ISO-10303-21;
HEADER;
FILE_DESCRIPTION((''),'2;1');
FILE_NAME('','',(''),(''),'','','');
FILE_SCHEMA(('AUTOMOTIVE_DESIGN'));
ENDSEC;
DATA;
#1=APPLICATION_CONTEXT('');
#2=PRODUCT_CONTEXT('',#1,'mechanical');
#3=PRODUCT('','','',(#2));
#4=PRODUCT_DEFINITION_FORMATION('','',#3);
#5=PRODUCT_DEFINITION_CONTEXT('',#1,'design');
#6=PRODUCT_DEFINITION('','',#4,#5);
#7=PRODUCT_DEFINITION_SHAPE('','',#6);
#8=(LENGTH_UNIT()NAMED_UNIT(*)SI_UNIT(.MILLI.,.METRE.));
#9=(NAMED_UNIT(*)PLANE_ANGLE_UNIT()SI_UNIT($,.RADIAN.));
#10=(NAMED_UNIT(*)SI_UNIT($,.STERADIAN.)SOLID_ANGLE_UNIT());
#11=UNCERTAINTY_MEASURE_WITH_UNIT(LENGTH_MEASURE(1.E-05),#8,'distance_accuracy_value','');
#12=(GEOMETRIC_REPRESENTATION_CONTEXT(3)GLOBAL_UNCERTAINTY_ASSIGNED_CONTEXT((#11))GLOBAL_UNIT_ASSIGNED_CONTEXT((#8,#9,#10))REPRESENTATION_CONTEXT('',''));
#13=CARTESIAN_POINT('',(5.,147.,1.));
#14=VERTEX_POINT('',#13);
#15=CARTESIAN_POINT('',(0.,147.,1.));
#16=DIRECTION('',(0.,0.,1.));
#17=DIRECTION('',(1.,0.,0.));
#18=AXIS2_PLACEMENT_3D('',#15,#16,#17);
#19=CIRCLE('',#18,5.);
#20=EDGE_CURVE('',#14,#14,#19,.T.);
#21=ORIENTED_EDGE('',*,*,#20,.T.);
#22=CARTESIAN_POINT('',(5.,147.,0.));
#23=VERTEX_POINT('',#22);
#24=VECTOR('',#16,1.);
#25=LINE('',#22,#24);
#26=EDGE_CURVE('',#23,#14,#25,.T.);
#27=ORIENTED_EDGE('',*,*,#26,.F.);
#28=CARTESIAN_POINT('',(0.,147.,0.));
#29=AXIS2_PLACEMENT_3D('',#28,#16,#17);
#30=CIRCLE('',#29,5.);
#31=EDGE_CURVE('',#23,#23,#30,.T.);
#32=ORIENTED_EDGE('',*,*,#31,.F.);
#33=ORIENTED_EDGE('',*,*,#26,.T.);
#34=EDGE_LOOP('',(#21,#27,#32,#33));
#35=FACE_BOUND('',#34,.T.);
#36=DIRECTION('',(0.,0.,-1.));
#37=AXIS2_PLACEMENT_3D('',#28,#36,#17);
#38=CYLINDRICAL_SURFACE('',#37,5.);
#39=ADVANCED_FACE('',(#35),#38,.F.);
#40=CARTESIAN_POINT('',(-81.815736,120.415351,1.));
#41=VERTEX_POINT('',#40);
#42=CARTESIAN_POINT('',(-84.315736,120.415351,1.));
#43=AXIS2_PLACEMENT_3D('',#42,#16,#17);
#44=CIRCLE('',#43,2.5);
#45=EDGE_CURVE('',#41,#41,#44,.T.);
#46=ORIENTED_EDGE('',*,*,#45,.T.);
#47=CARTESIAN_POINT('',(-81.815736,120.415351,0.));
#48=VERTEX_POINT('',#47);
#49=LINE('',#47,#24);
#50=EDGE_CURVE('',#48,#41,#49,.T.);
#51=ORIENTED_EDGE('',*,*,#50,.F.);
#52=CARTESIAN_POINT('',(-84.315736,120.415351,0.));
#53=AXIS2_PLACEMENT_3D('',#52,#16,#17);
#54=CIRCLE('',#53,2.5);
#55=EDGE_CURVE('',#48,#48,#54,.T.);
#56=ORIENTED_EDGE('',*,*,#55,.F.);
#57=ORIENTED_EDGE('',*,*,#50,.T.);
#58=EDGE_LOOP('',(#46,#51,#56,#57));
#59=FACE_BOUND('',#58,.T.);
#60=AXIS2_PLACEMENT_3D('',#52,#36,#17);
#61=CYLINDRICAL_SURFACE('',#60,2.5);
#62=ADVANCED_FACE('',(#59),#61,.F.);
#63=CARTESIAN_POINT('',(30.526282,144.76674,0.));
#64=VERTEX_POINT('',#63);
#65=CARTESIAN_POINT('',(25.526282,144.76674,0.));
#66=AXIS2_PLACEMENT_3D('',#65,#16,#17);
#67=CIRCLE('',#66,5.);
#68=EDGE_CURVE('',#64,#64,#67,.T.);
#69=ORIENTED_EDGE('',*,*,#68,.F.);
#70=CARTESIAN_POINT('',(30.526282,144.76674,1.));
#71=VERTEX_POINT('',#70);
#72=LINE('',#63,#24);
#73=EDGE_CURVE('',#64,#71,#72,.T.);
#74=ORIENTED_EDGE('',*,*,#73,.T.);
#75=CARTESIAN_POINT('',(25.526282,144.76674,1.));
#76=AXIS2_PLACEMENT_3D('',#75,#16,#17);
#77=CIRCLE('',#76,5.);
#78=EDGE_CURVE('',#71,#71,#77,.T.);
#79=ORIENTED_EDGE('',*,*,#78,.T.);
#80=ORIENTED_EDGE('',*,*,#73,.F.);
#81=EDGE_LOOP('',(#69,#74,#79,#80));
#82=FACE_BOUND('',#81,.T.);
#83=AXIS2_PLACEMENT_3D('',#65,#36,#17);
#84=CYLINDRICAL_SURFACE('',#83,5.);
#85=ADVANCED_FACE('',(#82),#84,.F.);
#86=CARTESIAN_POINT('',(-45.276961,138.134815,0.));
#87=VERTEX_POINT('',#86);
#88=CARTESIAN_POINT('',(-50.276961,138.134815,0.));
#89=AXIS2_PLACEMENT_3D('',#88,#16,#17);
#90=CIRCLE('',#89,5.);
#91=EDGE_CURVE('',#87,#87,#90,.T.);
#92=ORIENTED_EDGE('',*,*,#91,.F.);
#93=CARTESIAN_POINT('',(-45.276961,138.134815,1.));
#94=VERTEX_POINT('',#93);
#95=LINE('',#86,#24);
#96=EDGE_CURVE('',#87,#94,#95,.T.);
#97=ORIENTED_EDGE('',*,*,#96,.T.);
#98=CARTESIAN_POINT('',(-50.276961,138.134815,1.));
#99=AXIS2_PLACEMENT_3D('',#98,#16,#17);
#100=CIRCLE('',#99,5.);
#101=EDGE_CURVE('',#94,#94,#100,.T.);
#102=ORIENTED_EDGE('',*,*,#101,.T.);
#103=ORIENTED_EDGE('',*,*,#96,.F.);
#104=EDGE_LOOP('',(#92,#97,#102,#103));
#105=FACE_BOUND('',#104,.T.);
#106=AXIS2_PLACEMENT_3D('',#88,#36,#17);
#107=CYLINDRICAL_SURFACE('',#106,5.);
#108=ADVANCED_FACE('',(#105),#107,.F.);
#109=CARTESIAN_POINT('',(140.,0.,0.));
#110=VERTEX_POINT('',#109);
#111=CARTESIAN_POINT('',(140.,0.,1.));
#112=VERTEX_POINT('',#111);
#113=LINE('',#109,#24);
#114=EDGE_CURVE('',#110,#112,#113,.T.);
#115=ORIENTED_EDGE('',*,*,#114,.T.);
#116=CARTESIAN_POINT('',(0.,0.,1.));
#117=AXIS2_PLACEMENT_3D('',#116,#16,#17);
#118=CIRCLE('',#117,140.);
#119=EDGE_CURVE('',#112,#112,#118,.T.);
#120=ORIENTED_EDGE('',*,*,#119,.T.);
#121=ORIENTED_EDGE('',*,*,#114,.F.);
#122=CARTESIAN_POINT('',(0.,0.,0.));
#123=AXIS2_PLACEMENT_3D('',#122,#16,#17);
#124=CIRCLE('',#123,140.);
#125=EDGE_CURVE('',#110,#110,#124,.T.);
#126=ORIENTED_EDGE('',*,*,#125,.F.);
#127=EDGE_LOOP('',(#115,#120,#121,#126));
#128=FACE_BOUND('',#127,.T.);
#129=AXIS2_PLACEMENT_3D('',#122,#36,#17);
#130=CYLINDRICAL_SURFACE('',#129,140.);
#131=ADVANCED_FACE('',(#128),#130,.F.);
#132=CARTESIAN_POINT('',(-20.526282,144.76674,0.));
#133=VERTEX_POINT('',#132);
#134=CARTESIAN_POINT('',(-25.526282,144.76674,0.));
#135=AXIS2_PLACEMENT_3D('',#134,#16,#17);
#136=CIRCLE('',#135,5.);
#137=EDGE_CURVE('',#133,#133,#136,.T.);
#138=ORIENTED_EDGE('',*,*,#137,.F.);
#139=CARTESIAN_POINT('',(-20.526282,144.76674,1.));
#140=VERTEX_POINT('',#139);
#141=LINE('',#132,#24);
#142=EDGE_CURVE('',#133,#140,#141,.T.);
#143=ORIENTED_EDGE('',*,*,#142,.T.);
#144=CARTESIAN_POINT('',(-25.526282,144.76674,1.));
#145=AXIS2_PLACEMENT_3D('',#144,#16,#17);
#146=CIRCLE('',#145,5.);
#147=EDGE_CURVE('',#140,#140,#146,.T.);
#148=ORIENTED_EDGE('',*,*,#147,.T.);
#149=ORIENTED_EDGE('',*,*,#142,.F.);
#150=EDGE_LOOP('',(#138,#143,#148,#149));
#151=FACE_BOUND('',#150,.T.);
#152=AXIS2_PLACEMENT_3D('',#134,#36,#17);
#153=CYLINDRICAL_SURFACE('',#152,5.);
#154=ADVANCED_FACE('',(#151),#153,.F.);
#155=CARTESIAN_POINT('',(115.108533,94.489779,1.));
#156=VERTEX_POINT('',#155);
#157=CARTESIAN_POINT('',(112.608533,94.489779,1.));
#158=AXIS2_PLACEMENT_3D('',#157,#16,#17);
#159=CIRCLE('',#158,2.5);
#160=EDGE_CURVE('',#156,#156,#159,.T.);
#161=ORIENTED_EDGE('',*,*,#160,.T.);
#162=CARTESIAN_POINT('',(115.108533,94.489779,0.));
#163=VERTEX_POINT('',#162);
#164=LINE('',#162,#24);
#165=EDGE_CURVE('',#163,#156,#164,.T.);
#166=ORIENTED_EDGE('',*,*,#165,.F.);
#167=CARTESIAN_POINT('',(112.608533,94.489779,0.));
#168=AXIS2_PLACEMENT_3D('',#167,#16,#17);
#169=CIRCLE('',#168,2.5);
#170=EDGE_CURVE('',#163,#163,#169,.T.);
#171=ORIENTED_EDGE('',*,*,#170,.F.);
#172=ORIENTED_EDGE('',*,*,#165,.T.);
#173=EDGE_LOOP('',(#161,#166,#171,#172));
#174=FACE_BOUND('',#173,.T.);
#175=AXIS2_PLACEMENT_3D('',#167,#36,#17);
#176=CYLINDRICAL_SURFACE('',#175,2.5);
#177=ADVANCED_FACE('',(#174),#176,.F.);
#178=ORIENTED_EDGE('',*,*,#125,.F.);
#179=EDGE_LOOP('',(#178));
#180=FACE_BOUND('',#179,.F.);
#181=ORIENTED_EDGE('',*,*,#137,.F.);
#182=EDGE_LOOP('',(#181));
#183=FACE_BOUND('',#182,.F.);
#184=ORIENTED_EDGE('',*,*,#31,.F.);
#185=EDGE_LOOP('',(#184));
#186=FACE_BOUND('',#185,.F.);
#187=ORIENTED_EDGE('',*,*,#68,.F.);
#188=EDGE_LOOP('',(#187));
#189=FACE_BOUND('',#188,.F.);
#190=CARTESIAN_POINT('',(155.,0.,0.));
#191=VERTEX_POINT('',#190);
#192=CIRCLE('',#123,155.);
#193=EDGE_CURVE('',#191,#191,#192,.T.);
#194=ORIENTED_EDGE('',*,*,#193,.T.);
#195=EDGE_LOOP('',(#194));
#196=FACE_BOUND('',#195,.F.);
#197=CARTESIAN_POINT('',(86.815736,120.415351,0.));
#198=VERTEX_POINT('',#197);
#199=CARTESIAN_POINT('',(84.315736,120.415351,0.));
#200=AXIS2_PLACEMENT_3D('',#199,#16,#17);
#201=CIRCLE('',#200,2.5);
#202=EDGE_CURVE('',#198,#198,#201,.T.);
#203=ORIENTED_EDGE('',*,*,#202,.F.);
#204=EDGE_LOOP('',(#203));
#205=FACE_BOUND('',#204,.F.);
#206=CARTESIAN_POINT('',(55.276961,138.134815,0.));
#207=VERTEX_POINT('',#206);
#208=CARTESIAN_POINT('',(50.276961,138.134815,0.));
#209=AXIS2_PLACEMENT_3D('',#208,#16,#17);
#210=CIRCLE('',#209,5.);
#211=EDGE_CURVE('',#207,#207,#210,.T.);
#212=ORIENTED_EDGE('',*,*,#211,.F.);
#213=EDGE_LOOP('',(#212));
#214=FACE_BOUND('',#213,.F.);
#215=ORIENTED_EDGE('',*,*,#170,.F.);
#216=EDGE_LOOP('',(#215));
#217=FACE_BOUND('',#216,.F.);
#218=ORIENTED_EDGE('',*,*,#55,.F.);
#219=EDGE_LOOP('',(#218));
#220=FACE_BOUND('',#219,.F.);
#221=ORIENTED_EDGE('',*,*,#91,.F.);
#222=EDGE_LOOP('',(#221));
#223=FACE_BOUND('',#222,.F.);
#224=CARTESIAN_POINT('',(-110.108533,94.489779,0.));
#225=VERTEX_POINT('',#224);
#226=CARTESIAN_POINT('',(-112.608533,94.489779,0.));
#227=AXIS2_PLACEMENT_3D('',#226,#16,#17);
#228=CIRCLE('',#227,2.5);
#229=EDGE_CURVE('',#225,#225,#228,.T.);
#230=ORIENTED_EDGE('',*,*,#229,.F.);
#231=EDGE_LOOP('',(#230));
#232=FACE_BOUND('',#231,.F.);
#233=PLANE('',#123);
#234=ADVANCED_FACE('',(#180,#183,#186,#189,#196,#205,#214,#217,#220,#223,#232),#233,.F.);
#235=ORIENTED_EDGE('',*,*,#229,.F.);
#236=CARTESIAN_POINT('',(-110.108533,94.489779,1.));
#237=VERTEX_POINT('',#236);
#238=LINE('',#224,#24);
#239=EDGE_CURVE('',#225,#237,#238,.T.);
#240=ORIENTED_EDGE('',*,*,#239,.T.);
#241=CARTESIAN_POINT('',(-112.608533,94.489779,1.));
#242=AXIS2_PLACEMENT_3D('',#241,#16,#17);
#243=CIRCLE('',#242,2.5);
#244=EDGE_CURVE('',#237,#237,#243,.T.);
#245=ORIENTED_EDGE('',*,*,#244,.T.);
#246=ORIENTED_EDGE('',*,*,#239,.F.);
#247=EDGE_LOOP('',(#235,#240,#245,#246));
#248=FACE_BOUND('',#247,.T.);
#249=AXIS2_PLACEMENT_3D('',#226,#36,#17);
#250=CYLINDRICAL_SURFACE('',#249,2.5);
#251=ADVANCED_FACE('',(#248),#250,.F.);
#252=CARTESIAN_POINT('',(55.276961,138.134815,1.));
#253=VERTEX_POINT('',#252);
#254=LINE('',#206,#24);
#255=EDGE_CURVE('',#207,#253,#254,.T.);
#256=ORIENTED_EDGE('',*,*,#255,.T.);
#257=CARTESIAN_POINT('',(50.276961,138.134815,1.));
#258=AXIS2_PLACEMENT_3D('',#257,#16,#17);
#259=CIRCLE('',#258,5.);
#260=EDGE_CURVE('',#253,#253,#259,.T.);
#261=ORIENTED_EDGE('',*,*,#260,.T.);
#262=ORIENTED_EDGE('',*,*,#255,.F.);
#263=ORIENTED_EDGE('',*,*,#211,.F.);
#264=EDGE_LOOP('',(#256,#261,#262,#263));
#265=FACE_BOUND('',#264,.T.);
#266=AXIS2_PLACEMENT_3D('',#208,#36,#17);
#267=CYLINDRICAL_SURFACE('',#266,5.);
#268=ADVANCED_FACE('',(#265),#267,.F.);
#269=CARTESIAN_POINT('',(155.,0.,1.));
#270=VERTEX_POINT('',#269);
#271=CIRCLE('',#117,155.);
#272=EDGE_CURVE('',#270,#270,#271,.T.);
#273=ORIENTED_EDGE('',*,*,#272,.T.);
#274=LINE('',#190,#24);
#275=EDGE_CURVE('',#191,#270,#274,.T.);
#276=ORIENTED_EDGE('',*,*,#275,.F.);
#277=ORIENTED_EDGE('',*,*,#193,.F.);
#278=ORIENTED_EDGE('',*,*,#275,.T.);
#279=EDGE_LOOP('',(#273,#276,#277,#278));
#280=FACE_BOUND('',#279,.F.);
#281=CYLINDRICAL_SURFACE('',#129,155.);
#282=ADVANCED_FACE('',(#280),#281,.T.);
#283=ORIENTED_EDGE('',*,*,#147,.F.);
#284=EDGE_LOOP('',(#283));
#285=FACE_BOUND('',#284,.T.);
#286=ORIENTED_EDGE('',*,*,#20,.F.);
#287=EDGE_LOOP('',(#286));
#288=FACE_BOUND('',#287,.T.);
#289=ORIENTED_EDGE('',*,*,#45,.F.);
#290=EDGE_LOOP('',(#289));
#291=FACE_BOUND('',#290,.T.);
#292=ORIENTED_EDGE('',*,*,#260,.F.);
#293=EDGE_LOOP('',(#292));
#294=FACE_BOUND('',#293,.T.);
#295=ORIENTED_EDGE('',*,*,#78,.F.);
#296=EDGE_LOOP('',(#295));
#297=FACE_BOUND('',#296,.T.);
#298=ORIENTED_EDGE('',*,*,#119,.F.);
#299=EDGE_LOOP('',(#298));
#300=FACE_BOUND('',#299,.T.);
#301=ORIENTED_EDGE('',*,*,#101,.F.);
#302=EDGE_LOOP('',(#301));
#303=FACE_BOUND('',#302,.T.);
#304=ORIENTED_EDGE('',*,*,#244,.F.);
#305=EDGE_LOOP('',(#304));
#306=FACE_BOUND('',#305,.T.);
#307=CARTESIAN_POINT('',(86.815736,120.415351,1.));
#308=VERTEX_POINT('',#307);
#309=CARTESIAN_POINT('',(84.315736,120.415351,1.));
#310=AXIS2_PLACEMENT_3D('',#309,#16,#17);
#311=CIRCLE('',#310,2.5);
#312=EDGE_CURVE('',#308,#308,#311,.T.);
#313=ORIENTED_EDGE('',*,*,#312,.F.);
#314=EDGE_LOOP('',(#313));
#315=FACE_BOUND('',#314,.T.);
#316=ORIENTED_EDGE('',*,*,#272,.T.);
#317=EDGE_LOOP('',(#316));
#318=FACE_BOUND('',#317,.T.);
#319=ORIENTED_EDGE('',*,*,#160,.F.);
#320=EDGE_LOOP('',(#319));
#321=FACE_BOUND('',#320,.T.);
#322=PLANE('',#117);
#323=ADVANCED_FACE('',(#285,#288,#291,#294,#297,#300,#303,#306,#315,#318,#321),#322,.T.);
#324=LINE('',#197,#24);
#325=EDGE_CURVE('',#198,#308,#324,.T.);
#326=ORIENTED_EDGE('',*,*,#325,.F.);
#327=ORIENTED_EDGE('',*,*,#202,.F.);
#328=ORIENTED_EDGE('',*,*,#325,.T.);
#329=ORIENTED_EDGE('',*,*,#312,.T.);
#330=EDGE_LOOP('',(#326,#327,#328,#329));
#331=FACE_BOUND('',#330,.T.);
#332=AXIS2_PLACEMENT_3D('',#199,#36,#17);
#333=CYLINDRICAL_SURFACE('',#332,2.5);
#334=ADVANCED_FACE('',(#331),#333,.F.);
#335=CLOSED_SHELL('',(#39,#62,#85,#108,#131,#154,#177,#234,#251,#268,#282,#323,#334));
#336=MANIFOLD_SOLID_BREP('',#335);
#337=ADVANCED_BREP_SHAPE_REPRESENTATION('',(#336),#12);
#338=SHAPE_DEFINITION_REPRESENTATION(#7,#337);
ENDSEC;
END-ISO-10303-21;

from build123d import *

# Parameters (mm, degrees)
F0_R     = 155
F0_R_2   = 2.5
F0_R_3   = 5
F0_R_4   = 140
F1_DEPTH = 1


with BuildPart() as f1:
    # F0 (on Top) → F1 (new body)
    with BuildSketch(Plane.XY):
        Circle(F0_R)
        with Locations((-112.608533, 94.489779)):
            Circle(F0_R_2, mode=Mode.SUBTRACT)
        with Locations((-84.315736, 120.415351)):
            Circle(F0_R_2, mode=Mode.SUBTRACT)
        with Locations((-50.276961, 138.134815)):
            Circle(F0_R_3, mode=Mode.SUBTRACT)
        with Locations((-25.526282, 144.76674)):
            Circle(F0_R_3, mode=Mode.SUBTRACT)
        Circle(F0_R_4, mode=Mode.SUBTRACT)
        with Locations((0, 147)):
            Circle(F0_R_3, mode=Mode.SUBTRACT)
        with Locations((25.526282, 144.76674)):
            Circle(F0_R_3, mode=Mode.SUBTRACT)
        with Locations((50.276961, 138.134815)):
            Circle(F0_R_3, mode=Mode.SUBTRACT)
        with Locations((112.608533, 94.489779)):
            Circle(F0_R_2, mode=Mode.SUBTRACT)
        with Locations((84.315736, 120.415351)):
            Circle(F0_R_2, mode=Mode.SUBTRACT)
    extrude(amount=F1_DEPTH)


solid = f1.part
